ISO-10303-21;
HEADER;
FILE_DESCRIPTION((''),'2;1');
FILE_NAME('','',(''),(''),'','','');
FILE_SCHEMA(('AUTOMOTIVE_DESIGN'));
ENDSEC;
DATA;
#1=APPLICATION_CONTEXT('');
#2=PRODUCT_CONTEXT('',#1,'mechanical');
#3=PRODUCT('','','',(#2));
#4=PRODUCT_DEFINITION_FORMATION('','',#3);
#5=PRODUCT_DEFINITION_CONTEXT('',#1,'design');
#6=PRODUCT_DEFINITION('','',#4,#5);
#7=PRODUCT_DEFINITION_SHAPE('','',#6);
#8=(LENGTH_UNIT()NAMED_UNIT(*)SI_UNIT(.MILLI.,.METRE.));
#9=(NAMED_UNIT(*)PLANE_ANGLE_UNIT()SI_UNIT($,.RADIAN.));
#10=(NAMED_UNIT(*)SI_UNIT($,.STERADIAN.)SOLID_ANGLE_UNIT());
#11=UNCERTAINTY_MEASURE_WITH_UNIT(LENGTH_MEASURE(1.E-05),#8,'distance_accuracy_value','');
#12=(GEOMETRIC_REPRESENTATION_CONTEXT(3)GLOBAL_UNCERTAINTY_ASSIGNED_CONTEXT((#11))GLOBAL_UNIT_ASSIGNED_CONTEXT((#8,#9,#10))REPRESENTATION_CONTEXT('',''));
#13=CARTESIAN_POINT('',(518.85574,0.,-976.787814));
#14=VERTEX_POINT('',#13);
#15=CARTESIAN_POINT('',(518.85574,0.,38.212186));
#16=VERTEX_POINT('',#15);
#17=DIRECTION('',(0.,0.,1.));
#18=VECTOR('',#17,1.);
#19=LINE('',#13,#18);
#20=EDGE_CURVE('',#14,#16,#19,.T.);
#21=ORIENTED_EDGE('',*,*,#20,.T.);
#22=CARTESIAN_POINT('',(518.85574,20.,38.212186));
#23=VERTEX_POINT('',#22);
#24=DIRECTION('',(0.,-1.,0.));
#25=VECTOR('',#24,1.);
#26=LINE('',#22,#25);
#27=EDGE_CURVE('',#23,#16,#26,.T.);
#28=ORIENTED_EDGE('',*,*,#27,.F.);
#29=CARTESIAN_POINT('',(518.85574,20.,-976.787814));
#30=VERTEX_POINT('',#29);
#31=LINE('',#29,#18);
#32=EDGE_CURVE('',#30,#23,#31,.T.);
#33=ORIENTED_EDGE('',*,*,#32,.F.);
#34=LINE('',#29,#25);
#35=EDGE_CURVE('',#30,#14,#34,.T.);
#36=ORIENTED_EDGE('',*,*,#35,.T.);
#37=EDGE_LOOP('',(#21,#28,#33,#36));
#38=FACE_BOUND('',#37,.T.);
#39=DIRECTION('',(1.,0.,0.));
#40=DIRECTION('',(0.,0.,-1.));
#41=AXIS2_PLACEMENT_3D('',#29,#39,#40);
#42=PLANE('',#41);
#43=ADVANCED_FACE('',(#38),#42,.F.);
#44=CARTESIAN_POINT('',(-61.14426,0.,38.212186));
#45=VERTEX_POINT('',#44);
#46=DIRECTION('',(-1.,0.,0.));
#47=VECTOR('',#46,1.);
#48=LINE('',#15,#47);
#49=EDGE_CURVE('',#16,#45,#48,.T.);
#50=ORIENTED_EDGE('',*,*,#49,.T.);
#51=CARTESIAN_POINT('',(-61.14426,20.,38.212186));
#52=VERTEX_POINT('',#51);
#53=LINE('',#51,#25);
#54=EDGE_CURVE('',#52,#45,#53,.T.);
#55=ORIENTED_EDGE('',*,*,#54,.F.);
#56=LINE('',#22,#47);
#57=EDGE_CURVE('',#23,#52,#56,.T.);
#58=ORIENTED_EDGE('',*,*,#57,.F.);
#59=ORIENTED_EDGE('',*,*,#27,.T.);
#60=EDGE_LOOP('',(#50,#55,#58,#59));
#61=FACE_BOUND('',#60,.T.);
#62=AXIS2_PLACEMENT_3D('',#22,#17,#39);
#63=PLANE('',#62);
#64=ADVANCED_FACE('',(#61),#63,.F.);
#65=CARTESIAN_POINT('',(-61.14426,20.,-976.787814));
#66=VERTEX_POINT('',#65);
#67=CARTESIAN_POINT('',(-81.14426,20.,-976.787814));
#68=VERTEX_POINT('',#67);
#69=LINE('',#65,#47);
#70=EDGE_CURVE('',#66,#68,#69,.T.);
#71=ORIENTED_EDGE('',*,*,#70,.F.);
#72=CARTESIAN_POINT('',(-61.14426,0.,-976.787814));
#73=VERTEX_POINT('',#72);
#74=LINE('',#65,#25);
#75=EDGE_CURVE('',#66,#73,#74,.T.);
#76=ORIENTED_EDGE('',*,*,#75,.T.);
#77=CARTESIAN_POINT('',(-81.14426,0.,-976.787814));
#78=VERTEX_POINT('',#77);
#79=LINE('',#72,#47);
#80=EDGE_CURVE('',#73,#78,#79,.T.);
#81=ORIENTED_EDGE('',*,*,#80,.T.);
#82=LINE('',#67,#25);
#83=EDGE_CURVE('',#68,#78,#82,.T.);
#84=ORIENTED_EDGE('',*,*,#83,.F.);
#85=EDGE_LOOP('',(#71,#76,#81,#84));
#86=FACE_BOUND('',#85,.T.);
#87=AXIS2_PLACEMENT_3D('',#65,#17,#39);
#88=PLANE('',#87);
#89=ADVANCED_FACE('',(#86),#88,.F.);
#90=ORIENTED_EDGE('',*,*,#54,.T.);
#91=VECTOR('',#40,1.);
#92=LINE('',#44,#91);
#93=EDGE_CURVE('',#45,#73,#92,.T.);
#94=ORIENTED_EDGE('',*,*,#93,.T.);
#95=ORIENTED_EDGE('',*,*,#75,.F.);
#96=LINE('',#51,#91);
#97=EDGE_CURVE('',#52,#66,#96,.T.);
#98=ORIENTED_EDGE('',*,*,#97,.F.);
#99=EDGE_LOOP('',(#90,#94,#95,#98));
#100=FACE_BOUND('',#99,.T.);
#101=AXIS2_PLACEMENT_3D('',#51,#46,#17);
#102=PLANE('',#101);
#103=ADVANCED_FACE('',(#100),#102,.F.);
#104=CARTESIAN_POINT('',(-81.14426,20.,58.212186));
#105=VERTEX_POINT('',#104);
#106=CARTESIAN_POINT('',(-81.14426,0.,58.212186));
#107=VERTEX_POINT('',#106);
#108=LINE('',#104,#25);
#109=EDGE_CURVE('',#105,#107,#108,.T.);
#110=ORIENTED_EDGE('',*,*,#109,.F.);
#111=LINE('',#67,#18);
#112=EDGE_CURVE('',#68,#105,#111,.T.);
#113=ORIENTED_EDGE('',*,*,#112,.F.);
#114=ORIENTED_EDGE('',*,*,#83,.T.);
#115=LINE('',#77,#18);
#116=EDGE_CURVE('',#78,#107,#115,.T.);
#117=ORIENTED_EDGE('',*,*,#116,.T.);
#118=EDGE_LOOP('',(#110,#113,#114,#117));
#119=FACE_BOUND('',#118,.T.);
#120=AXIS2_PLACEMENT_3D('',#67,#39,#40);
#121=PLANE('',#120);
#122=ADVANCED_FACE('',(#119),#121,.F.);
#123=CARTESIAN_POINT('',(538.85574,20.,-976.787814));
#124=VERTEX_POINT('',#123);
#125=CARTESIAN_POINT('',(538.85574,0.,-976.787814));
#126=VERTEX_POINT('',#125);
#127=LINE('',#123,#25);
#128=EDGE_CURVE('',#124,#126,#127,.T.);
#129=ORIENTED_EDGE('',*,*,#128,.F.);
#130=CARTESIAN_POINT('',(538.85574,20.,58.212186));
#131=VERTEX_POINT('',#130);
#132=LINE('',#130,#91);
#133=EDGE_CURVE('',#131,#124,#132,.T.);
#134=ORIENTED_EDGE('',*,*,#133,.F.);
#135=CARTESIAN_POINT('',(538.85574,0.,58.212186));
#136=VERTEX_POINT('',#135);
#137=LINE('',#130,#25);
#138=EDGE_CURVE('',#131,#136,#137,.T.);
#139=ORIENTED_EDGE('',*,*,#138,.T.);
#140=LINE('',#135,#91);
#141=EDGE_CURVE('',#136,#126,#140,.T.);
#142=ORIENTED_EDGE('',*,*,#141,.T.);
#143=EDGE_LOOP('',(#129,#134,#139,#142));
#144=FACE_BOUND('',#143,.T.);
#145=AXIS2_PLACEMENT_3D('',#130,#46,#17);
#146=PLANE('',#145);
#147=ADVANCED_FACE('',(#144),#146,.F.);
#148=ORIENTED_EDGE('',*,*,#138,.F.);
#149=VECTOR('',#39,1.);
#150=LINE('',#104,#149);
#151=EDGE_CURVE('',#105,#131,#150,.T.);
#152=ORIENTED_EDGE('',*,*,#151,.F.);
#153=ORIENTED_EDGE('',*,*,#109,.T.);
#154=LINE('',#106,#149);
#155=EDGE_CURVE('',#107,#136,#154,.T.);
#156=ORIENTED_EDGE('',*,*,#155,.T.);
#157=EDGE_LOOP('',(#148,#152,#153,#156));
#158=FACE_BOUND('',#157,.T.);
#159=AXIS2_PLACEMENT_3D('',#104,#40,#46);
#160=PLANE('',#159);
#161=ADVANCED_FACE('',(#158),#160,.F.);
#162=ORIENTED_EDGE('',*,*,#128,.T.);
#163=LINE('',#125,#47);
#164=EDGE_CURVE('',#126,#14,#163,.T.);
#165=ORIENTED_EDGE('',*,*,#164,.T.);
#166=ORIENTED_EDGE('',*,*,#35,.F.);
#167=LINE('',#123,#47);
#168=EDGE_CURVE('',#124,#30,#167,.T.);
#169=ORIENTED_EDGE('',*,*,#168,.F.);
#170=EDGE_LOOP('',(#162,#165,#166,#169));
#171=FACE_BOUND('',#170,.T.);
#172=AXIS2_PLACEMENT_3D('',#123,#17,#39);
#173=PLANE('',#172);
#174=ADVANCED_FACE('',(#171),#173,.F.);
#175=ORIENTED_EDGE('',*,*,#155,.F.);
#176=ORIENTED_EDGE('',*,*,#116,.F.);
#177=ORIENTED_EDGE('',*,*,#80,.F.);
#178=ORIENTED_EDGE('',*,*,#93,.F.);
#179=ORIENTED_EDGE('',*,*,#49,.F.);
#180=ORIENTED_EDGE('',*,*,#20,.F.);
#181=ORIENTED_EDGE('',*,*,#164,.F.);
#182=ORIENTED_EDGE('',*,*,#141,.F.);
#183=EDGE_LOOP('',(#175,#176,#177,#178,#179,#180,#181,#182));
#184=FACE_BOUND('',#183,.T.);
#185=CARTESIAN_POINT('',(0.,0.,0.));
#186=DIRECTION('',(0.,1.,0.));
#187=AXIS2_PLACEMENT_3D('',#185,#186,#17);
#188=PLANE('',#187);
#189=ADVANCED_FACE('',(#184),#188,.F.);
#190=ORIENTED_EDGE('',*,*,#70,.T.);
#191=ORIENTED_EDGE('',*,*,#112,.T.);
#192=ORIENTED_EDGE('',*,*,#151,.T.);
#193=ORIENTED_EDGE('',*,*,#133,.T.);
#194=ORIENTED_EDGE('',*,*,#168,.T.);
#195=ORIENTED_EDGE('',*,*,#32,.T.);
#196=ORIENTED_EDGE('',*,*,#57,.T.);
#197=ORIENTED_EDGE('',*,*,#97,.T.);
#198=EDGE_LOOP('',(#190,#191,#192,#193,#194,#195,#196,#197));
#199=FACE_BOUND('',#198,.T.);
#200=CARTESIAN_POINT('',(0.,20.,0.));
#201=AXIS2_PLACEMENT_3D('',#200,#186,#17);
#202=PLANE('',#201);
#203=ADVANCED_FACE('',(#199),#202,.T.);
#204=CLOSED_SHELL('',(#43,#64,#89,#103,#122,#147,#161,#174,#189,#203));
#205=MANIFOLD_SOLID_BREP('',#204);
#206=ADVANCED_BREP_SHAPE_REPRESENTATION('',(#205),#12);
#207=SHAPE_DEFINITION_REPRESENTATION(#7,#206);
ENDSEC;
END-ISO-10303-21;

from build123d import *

# Parameters (mm, degrees)
BOSS_EXTRUDE1_DEPTH = 20


with BuildPart() as part:
    # Sketch1 → Boss-Extrude1 (new body)
    with BuildSketch(Plane(origin=(0, 0, 0), x_dir=(1, 0, 0), z_dir=(0, 1, 0))):
        Polygon((-81.144259733, 976.78781367), (-81.144259733, -58.21218633), (538.855740267, -58.21218633), (538.855740267, 976.78781367), (518.855740267, 976.78781367), (518.855740267, -38.21218633), (-61.144259733, -38.21218633), (-61.144259733, 976.78781367), align=None)
    extrude(amount=BOSS_EXTRUDE1_DEPTH)


solid = part.part
